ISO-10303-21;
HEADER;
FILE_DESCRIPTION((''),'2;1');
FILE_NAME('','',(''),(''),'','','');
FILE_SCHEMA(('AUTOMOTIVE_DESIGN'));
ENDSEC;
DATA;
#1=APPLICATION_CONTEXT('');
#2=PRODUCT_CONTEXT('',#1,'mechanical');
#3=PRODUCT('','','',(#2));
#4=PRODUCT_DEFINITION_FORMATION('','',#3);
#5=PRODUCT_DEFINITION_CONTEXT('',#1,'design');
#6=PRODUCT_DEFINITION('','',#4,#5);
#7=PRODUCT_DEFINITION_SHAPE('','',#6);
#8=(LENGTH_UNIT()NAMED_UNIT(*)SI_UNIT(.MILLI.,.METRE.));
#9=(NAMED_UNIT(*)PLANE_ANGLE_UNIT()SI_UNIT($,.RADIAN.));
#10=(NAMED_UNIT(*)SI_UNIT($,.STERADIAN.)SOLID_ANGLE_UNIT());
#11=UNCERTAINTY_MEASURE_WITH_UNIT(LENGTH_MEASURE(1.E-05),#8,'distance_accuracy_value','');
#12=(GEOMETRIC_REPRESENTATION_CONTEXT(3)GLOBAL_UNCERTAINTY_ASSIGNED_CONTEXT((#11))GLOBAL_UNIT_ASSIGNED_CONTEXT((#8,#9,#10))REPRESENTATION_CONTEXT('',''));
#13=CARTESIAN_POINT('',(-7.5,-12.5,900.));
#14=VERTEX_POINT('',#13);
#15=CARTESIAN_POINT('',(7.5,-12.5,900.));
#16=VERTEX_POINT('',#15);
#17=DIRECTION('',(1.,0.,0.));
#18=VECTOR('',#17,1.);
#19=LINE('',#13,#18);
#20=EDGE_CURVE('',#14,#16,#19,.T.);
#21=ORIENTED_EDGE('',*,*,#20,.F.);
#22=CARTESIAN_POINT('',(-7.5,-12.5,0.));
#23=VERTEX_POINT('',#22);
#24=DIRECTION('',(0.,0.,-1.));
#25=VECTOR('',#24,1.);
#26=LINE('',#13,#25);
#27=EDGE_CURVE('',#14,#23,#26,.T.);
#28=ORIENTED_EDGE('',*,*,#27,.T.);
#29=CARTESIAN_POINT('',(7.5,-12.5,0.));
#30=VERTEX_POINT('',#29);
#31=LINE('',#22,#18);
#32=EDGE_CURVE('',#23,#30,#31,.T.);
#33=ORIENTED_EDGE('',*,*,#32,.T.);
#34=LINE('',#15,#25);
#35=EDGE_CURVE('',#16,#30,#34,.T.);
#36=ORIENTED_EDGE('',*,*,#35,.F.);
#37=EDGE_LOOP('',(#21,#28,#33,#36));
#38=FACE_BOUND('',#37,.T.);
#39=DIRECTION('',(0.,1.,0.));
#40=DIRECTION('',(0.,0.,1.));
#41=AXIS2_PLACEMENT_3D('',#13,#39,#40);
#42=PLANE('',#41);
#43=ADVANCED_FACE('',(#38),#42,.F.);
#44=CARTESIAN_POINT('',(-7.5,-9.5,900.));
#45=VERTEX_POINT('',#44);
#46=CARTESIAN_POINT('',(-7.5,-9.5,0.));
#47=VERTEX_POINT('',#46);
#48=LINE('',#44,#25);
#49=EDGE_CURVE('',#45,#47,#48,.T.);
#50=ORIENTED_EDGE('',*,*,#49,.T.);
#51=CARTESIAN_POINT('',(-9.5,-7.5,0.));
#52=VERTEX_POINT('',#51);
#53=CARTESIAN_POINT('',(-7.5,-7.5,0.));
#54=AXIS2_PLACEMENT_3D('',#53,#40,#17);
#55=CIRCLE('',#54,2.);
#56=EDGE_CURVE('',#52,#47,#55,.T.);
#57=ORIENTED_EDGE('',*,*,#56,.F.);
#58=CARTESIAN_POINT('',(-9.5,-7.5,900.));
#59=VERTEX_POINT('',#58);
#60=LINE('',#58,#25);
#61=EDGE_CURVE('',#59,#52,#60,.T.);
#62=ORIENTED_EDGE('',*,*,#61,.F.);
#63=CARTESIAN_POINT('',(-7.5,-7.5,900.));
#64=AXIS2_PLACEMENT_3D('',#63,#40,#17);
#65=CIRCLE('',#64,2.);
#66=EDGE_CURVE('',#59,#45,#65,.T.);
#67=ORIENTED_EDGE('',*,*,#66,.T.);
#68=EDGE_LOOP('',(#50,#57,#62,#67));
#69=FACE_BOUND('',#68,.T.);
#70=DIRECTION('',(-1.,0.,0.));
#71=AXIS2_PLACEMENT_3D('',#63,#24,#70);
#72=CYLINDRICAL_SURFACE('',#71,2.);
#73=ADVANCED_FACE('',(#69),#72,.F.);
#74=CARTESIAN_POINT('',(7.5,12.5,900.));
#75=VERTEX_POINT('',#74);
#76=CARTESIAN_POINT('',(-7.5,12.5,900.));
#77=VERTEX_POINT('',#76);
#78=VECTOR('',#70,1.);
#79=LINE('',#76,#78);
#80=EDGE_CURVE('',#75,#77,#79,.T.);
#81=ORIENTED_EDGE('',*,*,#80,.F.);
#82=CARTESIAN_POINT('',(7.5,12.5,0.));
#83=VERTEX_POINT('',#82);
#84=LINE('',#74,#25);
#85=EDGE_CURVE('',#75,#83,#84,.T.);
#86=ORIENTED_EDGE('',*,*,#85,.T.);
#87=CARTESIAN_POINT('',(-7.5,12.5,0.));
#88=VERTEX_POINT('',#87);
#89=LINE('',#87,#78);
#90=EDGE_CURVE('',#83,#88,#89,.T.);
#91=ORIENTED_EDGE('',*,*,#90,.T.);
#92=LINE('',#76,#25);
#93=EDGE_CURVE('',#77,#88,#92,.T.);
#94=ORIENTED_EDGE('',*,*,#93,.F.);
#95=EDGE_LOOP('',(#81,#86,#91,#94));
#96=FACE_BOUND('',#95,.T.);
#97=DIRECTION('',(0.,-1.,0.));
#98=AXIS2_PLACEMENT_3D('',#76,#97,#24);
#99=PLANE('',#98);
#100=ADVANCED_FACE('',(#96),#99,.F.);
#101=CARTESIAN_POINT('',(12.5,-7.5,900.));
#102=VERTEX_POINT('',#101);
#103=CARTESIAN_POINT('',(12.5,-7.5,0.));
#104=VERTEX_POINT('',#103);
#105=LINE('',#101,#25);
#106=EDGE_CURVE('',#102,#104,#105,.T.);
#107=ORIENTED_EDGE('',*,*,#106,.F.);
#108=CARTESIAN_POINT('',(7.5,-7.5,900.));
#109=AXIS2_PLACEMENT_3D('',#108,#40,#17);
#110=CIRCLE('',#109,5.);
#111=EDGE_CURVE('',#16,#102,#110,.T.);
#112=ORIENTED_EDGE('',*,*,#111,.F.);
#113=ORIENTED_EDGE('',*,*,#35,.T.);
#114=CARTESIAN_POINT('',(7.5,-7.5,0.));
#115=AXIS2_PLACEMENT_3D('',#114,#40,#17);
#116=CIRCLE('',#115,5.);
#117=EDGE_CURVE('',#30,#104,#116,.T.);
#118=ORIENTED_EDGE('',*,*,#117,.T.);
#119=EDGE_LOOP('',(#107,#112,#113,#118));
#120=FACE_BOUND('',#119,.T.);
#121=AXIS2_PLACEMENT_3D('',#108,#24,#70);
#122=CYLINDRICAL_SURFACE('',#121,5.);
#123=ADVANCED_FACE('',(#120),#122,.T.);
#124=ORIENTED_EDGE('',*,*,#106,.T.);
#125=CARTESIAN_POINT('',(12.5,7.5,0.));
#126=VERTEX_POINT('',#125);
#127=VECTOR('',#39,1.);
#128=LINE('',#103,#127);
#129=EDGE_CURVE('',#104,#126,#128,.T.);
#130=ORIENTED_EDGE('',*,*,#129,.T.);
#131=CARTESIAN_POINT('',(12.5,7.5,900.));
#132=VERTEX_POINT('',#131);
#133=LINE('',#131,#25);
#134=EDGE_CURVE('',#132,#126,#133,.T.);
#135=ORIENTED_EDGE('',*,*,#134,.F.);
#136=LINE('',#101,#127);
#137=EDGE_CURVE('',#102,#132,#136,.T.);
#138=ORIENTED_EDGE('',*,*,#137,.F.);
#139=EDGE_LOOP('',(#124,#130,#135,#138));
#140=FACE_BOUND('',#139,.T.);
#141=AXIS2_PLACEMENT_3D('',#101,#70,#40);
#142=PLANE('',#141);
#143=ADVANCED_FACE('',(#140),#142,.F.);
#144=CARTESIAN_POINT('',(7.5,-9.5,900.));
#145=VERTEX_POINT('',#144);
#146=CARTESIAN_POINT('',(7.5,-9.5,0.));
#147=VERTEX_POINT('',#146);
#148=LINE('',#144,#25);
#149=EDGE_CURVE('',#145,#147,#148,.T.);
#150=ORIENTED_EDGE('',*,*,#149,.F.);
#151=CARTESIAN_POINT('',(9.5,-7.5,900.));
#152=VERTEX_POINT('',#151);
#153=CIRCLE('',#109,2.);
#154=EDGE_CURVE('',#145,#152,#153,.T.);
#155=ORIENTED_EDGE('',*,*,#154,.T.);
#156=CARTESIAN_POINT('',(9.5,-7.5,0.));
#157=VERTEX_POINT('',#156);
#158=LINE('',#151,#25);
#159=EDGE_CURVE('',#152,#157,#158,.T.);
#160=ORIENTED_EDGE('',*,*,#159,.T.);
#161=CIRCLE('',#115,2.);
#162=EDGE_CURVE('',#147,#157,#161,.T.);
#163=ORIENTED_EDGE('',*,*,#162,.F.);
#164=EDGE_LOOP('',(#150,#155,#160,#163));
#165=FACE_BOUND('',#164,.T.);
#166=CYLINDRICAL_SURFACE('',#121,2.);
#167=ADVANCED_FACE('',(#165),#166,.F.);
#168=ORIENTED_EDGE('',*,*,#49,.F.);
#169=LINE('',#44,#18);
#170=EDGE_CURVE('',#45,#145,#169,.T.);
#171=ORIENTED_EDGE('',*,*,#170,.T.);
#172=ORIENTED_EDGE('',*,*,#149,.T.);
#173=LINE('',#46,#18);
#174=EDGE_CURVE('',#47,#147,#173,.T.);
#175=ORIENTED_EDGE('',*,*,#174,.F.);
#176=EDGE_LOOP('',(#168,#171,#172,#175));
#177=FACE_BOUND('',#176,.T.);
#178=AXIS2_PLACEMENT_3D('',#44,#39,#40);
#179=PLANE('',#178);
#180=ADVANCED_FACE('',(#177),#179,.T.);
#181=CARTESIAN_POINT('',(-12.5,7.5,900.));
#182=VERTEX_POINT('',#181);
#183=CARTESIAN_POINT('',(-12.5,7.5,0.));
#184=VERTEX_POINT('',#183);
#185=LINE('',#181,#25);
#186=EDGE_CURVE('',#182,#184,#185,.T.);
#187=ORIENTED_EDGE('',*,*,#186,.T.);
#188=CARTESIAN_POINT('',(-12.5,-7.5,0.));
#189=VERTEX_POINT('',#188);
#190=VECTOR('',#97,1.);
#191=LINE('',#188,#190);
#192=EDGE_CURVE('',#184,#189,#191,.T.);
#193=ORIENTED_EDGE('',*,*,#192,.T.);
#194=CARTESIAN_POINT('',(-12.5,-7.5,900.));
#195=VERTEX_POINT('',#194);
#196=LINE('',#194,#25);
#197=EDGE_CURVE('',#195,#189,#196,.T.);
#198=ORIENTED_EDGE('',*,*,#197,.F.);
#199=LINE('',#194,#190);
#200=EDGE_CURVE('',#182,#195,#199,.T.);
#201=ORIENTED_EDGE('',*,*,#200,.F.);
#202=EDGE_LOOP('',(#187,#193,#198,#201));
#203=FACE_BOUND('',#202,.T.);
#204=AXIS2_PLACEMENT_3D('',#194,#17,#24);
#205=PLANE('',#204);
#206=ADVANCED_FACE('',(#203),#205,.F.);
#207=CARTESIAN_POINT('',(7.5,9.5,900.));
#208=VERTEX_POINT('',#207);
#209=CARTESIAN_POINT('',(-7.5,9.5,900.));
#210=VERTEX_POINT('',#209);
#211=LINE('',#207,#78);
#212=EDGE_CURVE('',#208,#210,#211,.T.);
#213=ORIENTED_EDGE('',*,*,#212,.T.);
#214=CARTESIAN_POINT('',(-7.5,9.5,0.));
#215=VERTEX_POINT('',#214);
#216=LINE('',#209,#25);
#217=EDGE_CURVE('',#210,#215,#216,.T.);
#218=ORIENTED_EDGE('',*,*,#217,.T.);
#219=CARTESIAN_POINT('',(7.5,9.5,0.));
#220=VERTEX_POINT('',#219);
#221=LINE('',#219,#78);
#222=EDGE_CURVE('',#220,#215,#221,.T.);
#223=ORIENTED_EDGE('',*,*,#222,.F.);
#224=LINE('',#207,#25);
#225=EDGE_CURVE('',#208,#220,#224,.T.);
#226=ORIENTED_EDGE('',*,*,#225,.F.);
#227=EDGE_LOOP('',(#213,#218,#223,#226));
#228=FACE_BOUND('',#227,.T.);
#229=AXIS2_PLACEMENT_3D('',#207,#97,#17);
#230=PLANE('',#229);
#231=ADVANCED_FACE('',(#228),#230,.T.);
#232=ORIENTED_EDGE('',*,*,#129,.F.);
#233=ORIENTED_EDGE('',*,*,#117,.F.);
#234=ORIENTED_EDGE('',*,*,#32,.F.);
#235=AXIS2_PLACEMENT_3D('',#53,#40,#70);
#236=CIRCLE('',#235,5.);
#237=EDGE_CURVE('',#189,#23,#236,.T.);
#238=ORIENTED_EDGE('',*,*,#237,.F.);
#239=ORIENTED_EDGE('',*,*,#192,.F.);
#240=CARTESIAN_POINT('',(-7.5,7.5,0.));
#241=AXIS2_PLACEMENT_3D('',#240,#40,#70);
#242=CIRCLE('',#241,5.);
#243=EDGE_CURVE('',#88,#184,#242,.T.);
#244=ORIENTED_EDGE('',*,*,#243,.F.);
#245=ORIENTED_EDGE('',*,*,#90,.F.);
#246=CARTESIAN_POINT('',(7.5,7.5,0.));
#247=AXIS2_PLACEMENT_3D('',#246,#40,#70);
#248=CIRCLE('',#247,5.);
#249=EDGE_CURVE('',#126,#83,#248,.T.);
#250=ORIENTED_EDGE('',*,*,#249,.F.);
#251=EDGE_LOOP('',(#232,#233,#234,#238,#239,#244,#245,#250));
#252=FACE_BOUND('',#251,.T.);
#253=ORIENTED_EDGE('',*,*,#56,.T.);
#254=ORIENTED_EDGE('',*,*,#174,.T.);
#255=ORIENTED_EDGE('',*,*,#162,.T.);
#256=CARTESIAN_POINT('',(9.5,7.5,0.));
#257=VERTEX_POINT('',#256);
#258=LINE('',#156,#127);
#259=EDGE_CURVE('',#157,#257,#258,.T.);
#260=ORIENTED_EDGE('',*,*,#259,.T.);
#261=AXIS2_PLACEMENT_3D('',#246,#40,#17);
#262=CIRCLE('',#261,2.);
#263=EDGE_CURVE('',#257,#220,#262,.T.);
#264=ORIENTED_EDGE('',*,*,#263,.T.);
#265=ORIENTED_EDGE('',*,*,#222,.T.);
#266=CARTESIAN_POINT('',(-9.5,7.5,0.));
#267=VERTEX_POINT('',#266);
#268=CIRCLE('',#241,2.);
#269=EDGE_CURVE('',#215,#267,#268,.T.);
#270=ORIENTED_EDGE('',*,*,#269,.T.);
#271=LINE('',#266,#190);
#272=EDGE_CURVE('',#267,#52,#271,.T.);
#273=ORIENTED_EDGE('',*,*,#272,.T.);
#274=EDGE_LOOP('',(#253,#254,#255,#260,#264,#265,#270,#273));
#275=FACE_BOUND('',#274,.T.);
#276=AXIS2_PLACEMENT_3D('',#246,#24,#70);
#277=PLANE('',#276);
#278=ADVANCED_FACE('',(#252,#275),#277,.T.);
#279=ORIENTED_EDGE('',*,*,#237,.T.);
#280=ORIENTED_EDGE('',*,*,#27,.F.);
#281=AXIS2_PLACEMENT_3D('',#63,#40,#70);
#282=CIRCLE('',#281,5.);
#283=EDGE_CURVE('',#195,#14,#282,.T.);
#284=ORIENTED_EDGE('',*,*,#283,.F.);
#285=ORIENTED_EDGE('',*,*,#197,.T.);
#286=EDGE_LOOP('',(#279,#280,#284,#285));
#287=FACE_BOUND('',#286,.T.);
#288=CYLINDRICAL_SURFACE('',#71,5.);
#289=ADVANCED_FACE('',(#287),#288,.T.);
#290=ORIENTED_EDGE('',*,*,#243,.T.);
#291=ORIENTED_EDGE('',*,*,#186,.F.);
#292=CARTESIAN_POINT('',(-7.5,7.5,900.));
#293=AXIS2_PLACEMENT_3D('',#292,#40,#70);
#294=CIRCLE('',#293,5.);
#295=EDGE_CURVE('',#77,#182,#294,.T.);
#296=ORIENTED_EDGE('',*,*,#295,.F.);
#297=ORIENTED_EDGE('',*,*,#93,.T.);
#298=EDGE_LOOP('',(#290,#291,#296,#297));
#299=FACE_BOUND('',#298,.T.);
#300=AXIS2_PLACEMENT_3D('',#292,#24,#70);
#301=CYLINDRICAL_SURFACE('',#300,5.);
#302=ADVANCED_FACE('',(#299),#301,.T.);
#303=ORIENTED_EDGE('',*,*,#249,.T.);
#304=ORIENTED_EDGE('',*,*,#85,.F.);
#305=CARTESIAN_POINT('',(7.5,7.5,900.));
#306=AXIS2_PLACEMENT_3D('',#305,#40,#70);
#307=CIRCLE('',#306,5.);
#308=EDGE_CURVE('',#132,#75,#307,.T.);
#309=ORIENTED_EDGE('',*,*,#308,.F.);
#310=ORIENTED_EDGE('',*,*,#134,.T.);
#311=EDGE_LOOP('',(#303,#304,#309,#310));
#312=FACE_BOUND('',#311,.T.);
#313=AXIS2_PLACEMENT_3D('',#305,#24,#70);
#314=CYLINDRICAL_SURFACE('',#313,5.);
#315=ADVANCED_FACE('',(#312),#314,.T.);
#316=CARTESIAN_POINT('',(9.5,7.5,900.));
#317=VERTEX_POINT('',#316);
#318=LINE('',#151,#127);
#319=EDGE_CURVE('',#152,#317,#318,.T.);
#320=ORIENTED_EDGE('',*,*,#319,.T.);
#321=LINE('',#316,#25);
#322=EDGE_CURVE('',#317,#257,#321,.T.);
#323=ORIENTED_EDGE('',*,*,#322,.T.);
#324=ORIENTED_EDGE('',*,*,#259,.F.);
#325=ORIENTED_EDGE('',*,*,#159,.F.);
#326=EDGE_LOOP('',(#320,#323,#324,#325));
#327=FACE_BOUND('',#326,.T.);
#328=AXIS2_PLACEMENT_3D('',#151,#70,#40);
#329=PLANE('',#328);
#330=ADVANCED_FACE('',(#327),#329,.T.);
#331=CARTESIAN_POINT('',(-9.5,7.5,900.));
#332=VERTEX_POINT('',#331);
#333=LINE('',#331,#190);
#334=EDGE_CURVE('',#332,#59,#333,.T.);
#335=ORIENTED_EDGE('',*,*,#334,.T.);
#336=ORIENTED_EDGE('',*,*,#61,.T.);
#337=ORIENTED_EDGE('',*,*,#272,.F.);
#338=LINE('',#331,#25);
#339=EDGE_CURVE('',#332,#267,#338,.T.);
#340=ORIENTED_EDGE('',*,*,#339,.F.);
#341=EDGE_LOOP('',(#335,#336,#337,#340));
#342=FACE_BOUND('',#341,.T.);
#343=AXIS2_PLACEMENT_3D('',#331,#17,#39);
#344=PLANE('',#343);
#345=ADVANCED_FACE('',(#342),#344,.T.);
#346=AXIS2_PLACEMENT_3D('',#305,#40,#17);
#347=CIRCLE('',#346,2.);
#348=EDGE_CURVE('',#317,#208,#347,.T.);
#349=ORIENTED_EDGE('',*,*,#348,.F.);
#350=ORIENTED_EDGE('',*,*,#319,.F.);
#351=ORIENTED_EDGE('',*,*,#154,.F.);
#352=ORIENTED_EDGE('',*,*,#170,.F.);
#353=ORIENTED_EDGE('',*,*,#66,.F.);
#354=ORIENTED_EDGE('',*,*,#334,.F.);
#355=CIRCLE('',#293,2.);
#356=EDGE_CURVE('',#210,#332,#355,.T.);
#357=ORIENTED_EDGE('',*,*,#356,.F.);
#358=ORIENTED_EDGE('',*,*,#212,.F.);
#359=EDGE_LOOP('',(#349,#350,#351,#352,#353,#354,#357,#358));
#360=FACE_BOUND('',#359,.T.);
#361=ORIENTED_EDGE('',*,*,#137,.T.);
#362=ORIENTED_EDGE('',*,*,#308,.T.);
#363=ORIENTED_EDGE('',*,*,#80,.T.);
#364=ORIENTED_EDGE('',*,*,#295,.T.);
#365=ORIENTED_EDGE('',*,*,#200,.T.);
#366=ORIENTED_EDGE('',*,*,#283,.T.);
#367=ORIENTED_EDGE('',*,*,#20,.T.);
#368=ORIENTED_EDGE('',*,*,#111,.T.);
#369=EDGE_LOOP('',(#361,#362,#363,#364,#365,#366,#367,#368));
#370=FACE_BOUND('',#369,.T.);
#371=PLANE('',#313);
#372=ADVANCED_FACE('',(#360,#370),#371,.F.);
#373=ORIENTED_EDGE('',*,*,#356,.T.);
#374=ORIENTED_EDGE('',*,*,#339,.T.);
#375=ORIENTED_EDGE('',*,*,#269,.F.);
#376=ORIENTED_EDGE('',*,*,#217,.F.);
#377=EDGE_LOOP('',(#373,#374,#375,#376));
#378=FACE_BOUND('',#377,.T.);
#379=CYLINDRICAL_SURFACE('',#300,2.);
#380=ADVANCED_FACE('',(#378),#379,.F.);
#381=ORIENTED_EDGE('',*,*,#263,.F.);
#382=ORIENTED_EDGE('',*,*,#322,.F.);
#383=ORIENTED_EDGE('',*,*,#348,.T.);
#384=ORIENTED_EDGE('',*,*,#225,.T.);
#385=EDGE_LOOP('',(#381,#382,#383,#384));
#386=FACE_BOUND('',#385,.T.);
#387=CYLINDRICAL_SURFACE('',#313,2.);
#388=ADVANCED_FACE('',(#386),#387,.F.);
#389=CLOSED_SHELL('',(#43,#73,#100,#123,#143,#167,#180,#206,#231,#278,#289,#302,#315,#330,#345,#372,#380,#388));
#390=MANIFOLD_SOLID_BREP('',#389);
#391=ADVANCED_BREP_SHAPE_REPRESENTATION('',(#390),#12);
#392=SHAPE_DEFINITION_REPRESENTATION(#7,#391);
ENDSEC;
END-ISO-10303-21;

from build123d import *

# Parameters (mm, degrees)
BOSS_EXTRUDE1_DEPTH = 900


with BuildPart() as part:
    # Sketch1 → Boss-Extrude1 (new body)
    with BuildSketch(Plane.XY):
        with BuildLine():
            Line((-7.5, -12.5), (7.5, -12.5))
            ThreePointArc((7.5, -12.5), (11.035533906, -11.035533906), (12.5, -7.5))
            Line((12.5, -7.5), (12.5, 7.5))
            ThreePointArc((12.5, 7.5), (11.035533906, 11.035533906), (7.5, 12.5))
            Line((7.5, 12.5), (-7.5, 12.5))
            ThreePointArc((-7.5, 12.5), (-11.035533906, 11.035533906), (-12.5, 7.5))
            Line((-12.5, 7.5), (-12.5, -7.5))
            ThreePointArc((-12.5, -7.5), (-11.035533906, -11.035533906), (-7.5, -12.5))
        make_face()
        with BuildLine():
            Line((-9.5, 7.5), (-9.5, -7.5))
            ThreePointArc((-9.5, -7.5), (-8.914213562, -8.914213562), (-7.5, -9.5))
            Line((-7.5, -9.5), (7.5, -9.5))
            ThreePointArc((7.5, -9.5), (8.914213562, -8.914213562), (9.5, -7.5))
            Line((9.5, -7.5), (9.5, 7.5))
            ThreePointArc((9.5, 7.5), (8.914213562, 8.914213562), (7.5, 9.5))
            Line((7.5, 9.5), (-7.5, 9.5))
            ThreePointArc((-7.5, 9.5), (-8.914213562, 8.914213562), (-9.5, 7.5))
        make_face(mode=Mode.SUBTRACT)
    extrude(amount=BOSS_EXTRUDE1_DEPTH)


solid = part.part
